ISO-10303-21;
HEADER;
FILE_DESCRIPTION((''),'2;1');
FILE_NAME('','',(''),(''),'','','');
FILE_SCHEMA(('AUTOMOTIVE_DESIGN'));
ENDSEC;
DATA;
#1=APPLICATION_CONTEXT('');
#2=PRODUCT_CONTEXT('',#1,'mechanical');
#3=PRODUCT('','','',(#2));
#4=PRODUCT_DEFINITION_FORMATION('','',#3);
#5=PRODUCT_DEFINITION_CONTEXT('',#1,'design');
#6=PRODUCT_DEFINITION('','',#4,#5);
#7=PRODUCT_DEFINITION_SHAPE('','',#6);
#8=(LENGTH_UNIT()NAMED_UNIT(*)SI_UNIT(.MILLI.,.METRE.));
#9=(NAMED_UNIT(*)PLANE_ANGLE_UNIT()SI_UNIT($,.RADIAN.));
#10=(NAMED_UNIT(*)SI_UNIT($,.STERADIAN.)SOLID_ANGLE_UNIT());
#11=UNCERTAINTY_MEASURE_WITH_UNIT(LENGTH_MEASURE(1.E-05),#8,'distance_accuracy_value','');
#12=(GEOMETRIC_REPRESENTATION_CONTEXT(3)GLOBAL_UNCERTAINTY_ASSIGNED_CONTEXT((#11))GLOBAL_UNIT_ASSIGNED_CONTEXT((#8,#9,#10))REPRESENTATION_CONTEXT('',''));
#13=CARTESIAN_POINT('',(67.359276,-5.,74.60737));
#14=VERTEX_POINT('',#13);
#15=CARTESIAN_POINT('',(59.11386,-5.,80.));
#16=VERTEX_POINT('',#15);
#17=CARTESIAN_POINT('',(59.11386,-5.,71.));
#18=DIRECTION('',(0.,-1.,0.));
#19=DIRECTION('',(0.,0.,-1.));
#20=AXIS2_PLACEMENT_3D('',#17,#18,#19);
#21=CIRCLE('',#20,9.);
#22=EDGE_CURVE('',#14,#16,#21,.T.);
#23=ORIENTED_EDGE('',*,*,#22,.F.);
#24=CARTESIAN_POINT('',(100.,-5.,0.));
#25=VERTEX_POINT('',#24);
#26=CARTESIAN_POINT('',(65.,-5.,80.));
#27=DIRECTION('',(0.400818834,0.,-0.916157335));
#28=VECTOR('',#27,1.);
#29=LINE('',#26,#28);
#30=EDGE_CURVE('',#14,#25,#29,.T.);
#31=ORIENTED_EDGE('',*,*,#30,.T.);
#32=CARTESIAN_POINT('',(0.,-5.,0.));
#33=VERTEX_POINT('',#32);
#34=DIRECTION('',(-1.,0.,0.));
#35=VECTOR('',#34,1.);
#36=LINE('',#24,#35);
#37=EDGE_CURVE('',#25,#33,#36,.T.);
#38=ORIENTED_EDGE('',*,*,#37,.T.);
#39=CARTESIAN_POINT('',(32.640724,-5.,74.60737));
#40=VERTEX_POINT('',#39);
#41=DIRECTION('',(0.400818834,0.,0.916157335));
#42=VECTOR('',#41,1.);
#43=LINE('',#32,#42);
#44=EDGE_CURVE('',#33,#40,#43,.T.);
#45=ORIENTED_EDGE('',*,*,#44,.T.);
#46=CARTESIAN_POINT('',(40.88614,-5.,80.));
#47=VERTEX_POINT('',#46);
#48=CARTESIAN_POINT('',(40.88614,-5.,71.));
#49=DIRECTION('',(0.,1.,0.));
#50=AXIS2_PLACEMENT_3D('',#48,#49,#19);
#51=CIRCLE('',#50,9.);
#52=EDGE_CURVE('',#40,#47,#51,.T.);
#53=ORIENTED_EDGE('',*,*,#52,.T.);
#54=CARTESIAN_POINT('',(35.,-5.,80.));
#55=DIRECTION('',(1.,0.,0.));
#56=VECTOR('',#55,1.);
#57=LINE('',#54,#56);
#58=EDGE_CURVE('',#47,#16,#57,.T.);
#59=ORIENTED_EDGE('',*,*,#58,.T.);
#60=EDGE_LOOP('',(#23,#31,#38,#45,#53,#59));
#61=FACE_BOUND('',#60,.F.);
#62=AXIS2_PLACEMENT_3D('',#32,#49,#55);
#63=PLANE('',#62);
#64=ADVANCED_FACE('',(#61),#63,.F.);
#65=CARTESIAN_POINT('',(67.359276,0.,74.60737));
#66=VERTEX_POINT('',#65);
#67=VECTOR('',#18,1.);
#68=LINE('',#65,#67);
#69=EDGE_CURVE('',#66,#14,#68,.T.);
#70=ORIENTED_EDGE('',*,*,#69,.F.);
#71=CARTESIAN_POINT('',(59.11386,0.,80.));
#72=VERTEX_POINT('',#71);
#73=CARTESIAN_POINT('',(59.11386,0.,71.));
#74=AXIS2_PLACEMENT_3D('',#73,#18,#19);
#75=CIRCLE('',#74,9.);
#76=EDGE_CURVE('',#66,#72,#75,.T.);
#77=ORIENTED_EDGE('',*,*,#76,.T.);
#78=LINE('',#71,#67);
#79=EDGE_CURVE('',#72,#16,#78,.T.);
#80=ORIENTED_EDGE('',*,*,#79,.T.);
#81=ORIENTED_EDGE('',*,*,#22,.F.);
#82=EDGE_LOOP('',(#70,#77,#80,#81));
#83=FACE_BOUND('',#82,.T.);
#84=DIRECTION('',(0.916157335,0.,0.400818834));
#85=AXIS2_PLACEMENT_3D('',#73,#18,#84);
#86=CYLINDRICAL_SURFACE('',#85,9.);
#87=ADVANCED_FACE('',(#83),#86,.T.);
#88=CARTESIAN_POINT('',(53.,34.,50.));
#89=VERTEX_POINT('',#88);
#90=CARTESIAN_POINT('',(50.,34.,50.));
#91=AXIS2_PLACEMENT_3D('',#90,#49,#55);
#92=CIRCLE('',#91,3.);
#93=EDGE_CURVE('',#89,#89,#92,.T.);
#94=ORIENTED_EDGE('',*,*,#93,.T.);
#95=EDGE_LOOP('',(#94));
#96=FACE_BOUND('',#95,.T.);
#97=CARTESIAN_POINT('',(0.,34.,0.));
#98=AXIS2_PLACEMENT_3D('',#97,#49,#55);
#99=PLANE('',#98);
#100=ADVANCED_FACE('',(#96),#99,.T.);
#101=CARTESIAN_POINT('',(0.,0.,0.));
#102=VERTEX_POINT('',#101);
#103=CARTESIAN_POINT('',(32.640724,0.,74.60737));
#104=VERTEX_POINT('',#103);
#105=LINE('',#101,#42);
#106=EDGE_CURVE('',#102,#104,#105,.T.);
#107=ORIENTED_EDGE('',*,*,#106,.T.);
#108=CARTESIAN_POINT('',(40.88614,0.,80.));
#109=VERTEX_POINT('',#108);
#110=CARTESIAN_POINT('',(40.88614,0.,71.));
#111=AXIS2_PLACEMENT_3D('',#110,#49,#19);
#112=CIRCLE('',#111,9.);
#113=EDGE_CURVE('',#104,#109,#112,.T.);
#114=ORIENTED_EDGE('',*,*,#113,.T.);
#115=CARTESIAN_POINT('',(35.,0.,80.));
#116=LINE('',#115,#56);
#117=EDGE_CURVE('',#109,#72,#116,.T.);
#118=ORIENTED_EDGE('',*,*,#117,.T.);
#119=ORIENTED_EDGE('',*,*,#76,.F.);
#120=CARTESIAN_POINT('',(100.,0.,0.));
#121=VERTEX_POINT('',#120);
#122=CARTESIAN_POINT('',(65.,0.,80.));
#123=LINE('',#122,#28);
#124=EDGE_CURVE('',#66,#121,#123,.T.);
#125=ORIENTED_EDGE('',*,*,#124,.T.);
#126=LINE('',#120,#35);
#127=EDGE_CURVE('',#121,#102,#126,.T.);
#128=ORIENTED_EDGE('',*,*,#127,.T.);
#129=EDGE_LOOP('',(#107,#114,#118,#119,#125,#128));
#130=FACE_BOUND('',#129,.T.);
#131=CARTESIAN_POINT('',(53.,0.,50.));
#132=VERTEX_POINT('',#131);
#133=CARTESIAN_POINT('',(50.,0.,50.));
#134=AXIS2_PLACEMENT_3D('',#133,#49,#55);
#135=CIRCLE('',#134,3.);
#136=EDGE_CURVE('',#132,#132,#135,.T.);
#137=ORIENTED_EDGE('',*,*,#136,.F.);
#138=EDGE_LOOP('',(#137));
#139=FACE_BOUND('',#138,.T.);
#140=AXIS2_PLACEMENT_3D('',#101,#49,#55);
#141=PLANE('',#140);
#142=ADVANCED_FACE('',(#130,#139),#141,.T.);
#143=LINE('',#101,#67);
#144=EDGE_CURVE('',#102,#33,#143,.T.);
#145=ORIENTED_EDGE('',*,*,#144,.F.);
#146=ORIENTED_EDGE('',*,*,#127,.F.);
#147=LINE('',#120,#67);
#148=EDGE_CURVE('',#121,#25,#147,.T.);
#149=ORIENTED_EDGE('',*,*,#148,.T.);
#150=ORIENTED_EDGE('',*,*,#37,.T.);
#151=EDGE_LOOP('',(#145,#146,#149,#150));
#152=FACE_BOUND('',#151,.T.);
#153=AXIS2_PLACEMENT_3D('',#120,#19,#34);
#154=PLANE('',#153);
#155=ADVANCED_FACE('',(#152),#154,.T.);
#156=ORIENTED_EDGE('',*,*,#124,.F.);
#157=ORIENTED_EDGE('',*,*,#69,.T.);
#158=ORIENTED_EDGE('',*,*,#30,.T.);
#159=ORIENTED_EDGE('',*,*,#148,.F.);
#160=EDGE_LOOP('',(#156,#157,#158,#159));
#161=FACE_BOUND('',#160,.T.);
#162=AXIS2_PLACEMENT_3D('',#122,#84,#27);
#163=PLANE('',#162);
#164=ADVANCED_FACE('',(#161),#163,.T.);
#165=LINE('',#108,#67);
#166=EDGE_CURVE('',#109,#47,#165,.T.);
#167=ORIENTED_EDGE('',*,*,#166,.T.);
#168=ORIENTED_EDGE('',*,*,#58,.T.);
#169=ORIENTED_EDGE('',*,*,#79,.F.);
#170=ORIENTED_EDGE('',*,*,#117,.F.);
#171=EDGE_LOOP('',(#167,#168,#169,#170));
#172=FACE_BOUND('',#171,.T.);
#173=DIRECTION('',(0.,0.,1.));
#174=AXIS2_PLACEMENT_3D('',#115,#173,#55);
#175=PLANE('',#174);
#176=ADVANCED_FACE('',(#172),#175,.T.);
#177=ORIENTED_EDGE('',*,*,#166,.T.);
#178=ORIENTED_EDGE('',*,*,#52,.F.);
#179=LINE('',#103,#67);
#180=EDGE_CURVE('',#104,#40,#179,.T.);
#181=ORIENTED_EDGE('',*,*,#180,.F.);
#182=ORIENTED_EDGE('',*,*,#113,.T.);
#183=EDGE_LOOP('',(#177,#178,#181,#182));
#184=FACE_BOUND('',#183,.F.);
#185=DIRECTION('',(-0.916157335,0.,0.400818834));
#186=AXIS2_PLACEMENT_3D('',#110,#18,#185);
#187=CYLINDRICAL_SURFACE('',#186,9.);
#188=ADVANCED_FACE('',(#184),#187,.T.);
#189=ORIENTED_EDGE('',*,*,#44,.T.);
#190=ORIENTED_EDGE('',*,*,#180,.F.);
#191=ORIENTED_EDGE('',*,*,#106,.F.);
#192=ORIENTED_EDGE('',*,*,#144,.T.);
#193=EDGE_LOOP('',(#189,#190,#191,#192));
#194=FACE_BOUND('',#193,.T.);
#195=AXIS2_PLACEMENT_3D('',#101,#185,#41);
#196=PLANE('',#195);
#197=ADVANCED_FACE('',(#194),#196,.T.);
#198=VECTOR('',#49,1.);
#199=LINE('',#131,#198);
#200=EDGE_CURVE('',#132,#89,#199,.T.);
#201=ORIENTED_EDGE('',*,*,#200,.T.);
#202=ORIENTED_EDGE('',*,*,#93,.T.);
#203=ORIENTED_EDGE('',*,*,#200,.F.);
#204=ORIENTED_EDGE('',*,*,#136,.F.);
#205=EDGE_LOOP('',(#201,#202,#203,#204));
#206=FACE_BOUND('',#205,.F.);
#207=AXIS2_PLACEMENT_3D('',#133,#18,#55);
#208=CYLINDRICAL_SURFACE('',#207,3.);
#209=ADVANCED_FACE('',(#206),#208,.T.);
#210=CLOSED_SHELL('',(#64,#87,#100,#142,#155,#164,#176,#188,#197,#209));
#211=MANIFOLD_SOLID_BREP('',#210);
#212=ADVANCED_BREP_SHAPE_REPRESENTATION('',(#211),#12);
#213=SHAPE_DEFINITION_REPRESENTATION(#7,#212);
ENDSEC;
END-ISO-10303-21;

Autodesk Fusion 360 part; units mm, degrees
sketch "Sketch1" plane through (0, 0, 0) normal (0, 1, 0) x (1, 0, 0)
  line L0 (0, 0) -> (35, -80)
  line L1 (35, -80) -> (65, -80)
  line L2 (65, -80) -> (100, 0)
  line L3 (100, 0) -> (0, 0)
  circle A0 centre (50, -50) radius 7.5
  circle A1 centre (50, -50) radius 3
  dimension "d1" = 100
  dimension "d2" = 30
  dimension "d4" = 80
  dimension "d5" = 35
  dimension "d6" = 50
  dimension "d7" = 15
  dimension "d8" = 15
  dimension "d13" = 6
extrude "Extrude1" add sketch "Sketch1" against normal blind 5 contours L0 L1 L2 L3 | A0 | A1
extrude "Extrude2" add sketch "Sketch1" along normal blind 34 contours A1
fillet "Fillet1" radius 9 2 edges at (65, -2.5, 80) (35, -2.5, 80)
